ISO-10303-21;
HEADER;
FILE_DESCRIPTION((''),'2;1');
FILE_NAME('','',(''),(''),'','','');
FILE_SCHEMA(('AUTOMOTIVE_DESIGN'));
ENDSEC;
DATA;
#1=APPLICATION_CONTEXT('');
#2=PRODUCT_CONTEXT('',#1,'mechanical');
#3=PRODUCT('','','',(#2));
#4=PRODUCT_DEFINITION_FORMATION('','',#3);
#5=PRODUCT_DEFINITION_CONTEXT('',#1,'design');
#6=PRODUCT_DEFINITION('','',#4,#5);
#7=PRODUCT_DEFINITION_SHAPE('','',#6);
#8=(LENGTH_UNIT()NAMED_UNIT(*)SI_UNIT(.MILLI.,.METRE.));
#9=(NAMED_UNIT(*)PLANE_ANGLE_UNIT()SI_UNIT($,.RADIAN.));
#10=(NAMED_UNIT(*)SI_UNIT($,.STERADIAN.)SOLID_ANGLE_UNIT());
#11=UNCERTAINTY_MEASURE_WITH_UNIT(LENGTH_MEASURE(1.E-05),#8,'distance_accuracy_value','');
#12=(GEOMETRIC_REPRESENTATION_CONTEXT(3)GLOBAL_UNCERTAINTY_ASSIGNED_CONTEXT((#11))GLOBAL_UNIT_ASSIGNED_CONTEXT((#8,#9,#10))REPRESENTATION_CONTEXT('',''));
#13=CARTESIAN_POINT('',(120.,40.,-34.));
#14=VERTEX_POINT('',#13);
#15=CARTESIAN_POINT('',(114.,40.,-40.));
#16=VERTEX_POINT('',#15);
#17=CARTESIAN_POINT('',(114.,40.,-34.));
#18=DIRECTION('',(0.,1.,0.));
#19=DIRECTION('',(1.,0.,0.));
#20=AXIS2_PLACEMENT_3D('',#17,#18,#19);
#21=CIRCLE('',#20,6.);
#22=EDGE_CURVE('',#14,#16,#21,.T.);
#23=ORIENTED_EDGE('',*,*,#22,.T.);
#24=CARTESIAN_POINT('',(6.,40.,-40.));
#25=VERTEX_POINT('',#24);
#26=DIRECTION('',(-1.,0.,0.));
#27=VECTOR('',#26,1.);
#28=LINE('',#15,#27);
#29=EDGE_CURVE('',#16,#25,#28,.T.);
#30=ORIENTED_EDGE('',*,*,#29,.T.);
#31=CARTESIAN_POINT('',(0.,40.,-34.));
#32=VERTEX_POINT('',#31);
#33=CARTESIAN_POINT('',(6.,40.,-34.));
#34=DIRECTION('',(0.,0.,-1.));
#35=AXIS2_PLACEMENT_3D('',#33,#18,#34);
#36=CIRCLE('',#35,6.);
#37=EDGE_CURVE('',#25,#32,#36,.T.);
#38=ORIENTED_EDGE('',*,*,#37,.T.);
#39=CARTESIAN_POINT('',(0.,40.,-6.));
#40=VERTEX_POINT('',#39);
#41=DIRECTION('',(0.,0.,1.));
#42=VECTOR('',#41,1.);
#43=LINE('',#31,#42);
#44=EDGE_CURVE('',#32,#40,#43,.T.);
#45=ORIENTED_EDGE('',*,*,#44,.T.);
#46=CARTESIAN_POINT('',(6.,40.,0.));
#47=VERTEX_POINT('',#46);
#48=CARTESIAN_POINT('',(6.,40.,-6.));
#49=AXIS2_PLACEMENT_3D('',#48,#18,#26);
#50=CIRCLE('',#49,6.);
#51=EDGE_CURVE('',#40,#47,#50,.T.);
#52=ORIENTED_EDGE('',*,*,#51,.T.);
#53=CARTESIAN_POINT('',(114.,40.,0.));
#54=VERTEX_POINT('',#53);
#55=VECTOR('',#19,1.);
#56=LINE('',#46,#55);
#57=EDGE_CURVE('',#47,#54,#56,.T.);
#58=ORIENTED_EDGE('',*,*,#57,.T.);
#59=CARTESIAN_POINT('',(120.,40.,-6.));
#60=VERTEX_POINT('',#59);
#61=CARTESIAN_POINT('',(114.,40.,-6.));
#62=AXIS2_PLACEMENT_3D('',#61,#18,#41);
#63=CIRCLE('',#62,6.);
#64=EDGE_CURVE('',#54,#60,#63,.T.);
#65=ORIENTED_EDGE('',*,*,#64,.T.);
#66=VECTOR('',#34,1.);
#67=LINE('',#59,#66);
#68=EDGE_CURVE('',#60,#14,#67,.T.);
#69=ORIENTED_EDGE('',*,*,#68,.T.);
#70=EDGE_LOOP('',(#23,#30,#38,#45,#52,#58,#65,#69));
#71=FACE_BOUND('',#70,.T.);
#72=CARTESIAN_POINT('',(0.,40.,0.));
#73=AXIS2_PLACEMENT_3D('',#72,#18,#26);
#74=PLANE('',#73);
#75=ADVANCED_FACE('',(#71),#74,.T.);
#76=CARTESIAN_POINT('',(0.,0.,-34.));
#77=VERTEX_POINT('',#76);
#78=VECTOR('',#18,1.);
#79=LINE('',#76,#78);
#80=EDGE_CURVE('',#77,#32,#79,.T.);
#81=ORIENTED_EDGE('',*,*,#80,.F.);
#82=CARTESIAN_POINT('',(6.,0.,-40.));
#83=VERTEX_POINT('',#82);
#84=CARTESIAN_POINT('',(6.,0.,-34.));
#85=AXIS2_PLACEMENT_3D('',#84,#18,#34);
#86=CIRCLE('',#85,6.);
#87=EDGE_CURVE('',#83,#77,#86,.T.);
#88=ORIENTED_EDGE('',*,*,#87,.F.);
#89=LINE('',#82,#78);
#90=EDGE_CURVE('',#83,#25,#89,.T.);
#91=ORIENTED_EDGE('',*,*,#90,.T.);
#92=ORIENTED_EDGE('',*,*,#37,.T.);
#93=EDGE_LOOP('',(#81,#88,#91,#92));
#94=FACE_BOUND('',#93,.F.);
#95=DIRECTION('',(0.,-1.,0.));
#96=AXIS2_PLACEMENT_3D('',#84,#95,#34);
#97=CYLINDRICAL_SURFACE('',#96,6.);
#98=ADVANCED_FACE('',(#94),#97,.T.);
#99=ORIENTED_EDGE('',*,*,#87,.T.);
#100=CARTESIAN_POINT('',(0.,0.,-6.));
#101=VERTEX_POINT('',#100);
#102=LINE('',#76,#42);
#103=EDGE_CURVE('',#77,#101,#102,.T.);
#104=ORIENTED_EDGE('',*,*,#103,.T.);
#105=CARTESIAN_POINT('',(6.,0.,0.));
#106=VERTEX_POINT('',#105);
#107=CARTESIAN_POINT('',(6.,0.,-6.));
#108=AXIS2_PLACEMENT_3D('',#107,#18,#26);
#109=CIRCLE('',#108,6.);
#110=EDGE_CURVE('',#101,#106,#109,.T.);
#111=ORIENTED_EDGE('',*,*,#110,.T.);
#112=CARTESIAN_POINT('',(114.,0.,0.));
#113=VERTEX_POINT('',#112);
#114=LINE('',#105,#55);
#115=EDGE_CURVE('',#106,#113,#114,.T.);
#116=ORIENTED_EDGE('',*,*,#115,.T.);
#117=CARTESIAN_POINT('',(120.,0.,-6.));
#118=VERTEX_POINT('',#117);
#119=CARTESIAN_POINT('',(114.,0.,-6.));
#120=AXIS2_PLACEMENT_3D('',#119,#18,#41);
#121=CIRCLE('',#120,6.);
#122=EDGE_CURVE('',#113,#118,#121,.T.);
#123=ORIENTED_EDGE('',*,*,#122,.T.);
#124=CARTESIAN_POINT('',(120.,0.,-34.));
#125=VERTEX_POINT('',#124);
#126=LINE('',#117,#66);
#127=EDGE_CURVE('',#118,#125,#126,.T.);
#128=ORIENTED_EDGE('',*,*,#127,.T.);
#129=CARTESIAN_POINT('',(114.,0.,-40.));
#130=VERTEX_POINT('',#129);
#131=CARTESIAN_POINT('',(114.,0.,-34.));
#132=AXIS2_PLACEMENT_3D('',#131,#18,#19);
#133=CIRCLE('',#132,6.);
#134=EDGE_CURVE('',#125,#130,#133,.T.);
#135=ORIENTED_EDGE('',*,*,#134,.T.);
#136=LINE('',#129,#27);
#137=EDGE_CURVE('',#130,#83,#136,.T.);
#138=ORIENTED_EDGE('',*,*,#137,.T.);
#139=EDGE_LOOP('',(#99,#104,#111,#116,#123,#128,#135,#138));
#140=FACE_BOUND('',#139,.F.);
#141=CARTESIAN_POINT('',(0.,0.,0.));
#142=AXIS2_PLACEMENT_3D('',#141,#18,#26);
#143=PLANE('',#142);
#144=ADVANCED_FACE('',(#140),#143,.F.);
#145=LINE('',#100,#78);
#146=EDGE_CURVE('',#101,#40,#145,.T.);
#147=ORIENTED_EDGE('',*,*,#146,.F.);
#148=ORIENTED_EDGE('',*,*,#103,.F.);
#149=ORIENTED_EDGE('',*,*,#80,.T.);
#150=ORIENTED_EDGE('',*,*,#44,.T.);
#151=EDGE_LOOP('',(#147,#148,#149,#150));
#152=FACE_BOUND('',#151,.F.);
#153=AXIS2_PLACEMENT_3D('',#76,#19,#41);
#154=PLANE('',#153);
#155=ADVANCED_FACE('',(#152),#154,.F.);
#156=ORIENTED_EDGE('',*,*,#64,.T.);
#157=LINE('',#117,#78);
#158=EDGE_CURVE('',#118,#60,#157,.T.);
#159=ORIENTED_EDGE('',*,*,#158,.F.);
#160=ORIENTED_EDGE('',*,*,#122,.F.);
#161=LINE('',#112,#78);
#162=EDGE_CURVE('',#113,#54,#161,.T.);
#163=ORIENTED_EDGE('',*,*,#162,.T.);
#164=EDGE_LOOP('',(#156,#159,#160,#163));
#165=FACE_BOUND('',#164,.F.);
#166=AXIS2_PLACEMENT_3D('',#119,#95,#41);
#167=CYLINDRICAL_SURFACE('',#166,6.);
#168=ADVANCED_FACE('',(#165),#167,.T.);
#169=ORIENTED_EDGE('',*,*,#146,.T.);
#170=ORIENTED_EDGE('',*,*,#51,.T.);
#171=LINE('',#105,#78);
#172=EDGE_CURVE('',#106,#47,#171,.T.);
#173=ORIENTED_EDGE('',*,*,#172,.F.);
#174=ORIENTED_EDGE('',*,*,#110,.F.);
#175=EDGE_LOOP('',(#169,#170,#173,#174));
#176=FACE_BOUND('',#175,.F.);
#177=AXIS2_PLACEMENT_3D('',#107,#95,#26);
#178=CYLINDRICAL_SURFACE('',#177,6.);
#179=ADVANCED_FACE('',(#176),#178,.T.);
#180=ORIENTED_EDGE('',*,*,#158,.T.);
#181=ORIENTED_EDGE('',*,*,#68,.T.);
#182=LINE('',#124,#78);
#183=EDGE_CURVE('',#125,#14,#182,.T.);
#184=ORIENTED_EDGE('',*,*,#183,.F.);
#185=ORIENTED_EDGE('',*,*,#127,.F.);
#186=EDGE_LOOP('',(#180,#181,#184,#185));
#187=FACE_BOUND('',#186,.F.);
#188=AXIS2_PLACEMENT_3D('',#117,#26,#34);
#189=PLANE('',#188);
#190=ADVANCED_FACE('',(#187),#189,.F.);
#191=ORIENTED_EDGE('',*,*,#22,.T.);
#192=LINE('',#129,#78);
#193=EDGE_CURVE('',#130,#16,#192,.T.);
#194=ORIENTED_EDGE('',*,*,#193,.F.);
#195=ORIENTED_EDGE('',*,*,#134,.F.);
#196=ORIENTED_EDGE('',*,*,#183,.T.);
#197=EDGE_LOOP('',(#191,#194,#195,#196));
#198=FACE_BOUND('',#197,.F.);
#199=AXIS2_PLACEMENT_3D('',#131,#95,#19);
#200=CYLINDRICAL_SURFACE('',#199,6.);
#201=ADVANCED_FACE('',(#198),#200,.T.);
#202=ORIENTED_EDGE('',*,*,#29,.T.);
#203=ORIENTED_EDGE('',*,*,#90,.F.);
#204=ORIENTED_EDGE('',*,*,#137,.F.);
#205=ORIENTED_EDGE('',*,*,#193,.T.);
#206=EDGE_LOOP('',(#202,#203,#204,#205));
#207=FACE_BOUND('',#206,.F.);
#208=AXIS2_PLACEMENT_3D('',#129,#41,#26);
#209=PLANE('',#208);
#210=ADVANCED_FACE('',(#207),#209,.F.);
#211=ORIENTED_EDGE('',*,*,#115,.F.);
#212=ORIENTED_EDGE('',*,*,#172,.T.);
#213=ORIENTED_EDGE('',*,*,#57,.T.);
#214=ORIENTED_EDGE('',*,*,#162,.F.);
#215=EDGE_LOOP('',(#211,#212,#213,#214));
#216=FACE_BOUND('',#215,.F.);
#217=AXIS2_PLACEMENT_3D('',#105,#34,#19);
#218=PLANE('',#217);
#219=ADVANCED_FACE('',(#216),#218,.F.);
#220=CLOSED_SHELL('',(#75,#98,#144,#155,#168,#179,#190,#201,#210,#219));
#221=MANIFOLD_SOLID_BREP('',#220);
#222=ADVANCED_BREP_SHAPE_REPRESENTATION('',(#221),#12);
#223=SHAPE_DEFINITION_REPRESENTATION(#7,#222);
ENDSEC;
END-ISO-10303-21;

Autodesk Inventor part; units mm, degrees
ref_plane "YZ Plane" through (0, 0, 0) normal (1, 0, 0) x (0, 1, 0)
ref_plane "XZ Plane" through (0, 0, 0) normal (0, 1, 0) x (-1, 0, 0)
ref_plane "XY Plane" through (0, 0, 0) normal (0, 0, 1) x (1, 0, 0)
sketch "Sketch1" plane through (0, 0, 0) normal (0, 1, 0) x (-1, 0, 0)
  line L0 (-6, 0) -> (-114, 0)
  line L1 (-120, -6) -> (-120, -34)
  line L2 (-114, -40) -> (-6, -40)
  line L3 (0, -34) -> (0, -6)
  line L4 (0, 0) -> (108, 0) construction
  arc A0 (0, -6) -> (-6, 0) centre (-6, -6) ccw
  arc A1 (-6, -40) -> (0, -34) centre (-6, -34) ccw
  arc A2 (-120, -34) -> (-114, -40) centre (-114, -34) ccw
  arc A3 (-114, 0) -> (-120, -6) centre (-114, -6) ccw
  point P0 (-120, 0)
  point P1 (-120, -40)
  dimension "d0" = 120
  dimension "d1" = 180
  dimension "d2" = 40
  dimension "d3" = 6
extrude "Extrusion1" add sketch "Sketch1" along normal blind 40
properties part number "batt"
